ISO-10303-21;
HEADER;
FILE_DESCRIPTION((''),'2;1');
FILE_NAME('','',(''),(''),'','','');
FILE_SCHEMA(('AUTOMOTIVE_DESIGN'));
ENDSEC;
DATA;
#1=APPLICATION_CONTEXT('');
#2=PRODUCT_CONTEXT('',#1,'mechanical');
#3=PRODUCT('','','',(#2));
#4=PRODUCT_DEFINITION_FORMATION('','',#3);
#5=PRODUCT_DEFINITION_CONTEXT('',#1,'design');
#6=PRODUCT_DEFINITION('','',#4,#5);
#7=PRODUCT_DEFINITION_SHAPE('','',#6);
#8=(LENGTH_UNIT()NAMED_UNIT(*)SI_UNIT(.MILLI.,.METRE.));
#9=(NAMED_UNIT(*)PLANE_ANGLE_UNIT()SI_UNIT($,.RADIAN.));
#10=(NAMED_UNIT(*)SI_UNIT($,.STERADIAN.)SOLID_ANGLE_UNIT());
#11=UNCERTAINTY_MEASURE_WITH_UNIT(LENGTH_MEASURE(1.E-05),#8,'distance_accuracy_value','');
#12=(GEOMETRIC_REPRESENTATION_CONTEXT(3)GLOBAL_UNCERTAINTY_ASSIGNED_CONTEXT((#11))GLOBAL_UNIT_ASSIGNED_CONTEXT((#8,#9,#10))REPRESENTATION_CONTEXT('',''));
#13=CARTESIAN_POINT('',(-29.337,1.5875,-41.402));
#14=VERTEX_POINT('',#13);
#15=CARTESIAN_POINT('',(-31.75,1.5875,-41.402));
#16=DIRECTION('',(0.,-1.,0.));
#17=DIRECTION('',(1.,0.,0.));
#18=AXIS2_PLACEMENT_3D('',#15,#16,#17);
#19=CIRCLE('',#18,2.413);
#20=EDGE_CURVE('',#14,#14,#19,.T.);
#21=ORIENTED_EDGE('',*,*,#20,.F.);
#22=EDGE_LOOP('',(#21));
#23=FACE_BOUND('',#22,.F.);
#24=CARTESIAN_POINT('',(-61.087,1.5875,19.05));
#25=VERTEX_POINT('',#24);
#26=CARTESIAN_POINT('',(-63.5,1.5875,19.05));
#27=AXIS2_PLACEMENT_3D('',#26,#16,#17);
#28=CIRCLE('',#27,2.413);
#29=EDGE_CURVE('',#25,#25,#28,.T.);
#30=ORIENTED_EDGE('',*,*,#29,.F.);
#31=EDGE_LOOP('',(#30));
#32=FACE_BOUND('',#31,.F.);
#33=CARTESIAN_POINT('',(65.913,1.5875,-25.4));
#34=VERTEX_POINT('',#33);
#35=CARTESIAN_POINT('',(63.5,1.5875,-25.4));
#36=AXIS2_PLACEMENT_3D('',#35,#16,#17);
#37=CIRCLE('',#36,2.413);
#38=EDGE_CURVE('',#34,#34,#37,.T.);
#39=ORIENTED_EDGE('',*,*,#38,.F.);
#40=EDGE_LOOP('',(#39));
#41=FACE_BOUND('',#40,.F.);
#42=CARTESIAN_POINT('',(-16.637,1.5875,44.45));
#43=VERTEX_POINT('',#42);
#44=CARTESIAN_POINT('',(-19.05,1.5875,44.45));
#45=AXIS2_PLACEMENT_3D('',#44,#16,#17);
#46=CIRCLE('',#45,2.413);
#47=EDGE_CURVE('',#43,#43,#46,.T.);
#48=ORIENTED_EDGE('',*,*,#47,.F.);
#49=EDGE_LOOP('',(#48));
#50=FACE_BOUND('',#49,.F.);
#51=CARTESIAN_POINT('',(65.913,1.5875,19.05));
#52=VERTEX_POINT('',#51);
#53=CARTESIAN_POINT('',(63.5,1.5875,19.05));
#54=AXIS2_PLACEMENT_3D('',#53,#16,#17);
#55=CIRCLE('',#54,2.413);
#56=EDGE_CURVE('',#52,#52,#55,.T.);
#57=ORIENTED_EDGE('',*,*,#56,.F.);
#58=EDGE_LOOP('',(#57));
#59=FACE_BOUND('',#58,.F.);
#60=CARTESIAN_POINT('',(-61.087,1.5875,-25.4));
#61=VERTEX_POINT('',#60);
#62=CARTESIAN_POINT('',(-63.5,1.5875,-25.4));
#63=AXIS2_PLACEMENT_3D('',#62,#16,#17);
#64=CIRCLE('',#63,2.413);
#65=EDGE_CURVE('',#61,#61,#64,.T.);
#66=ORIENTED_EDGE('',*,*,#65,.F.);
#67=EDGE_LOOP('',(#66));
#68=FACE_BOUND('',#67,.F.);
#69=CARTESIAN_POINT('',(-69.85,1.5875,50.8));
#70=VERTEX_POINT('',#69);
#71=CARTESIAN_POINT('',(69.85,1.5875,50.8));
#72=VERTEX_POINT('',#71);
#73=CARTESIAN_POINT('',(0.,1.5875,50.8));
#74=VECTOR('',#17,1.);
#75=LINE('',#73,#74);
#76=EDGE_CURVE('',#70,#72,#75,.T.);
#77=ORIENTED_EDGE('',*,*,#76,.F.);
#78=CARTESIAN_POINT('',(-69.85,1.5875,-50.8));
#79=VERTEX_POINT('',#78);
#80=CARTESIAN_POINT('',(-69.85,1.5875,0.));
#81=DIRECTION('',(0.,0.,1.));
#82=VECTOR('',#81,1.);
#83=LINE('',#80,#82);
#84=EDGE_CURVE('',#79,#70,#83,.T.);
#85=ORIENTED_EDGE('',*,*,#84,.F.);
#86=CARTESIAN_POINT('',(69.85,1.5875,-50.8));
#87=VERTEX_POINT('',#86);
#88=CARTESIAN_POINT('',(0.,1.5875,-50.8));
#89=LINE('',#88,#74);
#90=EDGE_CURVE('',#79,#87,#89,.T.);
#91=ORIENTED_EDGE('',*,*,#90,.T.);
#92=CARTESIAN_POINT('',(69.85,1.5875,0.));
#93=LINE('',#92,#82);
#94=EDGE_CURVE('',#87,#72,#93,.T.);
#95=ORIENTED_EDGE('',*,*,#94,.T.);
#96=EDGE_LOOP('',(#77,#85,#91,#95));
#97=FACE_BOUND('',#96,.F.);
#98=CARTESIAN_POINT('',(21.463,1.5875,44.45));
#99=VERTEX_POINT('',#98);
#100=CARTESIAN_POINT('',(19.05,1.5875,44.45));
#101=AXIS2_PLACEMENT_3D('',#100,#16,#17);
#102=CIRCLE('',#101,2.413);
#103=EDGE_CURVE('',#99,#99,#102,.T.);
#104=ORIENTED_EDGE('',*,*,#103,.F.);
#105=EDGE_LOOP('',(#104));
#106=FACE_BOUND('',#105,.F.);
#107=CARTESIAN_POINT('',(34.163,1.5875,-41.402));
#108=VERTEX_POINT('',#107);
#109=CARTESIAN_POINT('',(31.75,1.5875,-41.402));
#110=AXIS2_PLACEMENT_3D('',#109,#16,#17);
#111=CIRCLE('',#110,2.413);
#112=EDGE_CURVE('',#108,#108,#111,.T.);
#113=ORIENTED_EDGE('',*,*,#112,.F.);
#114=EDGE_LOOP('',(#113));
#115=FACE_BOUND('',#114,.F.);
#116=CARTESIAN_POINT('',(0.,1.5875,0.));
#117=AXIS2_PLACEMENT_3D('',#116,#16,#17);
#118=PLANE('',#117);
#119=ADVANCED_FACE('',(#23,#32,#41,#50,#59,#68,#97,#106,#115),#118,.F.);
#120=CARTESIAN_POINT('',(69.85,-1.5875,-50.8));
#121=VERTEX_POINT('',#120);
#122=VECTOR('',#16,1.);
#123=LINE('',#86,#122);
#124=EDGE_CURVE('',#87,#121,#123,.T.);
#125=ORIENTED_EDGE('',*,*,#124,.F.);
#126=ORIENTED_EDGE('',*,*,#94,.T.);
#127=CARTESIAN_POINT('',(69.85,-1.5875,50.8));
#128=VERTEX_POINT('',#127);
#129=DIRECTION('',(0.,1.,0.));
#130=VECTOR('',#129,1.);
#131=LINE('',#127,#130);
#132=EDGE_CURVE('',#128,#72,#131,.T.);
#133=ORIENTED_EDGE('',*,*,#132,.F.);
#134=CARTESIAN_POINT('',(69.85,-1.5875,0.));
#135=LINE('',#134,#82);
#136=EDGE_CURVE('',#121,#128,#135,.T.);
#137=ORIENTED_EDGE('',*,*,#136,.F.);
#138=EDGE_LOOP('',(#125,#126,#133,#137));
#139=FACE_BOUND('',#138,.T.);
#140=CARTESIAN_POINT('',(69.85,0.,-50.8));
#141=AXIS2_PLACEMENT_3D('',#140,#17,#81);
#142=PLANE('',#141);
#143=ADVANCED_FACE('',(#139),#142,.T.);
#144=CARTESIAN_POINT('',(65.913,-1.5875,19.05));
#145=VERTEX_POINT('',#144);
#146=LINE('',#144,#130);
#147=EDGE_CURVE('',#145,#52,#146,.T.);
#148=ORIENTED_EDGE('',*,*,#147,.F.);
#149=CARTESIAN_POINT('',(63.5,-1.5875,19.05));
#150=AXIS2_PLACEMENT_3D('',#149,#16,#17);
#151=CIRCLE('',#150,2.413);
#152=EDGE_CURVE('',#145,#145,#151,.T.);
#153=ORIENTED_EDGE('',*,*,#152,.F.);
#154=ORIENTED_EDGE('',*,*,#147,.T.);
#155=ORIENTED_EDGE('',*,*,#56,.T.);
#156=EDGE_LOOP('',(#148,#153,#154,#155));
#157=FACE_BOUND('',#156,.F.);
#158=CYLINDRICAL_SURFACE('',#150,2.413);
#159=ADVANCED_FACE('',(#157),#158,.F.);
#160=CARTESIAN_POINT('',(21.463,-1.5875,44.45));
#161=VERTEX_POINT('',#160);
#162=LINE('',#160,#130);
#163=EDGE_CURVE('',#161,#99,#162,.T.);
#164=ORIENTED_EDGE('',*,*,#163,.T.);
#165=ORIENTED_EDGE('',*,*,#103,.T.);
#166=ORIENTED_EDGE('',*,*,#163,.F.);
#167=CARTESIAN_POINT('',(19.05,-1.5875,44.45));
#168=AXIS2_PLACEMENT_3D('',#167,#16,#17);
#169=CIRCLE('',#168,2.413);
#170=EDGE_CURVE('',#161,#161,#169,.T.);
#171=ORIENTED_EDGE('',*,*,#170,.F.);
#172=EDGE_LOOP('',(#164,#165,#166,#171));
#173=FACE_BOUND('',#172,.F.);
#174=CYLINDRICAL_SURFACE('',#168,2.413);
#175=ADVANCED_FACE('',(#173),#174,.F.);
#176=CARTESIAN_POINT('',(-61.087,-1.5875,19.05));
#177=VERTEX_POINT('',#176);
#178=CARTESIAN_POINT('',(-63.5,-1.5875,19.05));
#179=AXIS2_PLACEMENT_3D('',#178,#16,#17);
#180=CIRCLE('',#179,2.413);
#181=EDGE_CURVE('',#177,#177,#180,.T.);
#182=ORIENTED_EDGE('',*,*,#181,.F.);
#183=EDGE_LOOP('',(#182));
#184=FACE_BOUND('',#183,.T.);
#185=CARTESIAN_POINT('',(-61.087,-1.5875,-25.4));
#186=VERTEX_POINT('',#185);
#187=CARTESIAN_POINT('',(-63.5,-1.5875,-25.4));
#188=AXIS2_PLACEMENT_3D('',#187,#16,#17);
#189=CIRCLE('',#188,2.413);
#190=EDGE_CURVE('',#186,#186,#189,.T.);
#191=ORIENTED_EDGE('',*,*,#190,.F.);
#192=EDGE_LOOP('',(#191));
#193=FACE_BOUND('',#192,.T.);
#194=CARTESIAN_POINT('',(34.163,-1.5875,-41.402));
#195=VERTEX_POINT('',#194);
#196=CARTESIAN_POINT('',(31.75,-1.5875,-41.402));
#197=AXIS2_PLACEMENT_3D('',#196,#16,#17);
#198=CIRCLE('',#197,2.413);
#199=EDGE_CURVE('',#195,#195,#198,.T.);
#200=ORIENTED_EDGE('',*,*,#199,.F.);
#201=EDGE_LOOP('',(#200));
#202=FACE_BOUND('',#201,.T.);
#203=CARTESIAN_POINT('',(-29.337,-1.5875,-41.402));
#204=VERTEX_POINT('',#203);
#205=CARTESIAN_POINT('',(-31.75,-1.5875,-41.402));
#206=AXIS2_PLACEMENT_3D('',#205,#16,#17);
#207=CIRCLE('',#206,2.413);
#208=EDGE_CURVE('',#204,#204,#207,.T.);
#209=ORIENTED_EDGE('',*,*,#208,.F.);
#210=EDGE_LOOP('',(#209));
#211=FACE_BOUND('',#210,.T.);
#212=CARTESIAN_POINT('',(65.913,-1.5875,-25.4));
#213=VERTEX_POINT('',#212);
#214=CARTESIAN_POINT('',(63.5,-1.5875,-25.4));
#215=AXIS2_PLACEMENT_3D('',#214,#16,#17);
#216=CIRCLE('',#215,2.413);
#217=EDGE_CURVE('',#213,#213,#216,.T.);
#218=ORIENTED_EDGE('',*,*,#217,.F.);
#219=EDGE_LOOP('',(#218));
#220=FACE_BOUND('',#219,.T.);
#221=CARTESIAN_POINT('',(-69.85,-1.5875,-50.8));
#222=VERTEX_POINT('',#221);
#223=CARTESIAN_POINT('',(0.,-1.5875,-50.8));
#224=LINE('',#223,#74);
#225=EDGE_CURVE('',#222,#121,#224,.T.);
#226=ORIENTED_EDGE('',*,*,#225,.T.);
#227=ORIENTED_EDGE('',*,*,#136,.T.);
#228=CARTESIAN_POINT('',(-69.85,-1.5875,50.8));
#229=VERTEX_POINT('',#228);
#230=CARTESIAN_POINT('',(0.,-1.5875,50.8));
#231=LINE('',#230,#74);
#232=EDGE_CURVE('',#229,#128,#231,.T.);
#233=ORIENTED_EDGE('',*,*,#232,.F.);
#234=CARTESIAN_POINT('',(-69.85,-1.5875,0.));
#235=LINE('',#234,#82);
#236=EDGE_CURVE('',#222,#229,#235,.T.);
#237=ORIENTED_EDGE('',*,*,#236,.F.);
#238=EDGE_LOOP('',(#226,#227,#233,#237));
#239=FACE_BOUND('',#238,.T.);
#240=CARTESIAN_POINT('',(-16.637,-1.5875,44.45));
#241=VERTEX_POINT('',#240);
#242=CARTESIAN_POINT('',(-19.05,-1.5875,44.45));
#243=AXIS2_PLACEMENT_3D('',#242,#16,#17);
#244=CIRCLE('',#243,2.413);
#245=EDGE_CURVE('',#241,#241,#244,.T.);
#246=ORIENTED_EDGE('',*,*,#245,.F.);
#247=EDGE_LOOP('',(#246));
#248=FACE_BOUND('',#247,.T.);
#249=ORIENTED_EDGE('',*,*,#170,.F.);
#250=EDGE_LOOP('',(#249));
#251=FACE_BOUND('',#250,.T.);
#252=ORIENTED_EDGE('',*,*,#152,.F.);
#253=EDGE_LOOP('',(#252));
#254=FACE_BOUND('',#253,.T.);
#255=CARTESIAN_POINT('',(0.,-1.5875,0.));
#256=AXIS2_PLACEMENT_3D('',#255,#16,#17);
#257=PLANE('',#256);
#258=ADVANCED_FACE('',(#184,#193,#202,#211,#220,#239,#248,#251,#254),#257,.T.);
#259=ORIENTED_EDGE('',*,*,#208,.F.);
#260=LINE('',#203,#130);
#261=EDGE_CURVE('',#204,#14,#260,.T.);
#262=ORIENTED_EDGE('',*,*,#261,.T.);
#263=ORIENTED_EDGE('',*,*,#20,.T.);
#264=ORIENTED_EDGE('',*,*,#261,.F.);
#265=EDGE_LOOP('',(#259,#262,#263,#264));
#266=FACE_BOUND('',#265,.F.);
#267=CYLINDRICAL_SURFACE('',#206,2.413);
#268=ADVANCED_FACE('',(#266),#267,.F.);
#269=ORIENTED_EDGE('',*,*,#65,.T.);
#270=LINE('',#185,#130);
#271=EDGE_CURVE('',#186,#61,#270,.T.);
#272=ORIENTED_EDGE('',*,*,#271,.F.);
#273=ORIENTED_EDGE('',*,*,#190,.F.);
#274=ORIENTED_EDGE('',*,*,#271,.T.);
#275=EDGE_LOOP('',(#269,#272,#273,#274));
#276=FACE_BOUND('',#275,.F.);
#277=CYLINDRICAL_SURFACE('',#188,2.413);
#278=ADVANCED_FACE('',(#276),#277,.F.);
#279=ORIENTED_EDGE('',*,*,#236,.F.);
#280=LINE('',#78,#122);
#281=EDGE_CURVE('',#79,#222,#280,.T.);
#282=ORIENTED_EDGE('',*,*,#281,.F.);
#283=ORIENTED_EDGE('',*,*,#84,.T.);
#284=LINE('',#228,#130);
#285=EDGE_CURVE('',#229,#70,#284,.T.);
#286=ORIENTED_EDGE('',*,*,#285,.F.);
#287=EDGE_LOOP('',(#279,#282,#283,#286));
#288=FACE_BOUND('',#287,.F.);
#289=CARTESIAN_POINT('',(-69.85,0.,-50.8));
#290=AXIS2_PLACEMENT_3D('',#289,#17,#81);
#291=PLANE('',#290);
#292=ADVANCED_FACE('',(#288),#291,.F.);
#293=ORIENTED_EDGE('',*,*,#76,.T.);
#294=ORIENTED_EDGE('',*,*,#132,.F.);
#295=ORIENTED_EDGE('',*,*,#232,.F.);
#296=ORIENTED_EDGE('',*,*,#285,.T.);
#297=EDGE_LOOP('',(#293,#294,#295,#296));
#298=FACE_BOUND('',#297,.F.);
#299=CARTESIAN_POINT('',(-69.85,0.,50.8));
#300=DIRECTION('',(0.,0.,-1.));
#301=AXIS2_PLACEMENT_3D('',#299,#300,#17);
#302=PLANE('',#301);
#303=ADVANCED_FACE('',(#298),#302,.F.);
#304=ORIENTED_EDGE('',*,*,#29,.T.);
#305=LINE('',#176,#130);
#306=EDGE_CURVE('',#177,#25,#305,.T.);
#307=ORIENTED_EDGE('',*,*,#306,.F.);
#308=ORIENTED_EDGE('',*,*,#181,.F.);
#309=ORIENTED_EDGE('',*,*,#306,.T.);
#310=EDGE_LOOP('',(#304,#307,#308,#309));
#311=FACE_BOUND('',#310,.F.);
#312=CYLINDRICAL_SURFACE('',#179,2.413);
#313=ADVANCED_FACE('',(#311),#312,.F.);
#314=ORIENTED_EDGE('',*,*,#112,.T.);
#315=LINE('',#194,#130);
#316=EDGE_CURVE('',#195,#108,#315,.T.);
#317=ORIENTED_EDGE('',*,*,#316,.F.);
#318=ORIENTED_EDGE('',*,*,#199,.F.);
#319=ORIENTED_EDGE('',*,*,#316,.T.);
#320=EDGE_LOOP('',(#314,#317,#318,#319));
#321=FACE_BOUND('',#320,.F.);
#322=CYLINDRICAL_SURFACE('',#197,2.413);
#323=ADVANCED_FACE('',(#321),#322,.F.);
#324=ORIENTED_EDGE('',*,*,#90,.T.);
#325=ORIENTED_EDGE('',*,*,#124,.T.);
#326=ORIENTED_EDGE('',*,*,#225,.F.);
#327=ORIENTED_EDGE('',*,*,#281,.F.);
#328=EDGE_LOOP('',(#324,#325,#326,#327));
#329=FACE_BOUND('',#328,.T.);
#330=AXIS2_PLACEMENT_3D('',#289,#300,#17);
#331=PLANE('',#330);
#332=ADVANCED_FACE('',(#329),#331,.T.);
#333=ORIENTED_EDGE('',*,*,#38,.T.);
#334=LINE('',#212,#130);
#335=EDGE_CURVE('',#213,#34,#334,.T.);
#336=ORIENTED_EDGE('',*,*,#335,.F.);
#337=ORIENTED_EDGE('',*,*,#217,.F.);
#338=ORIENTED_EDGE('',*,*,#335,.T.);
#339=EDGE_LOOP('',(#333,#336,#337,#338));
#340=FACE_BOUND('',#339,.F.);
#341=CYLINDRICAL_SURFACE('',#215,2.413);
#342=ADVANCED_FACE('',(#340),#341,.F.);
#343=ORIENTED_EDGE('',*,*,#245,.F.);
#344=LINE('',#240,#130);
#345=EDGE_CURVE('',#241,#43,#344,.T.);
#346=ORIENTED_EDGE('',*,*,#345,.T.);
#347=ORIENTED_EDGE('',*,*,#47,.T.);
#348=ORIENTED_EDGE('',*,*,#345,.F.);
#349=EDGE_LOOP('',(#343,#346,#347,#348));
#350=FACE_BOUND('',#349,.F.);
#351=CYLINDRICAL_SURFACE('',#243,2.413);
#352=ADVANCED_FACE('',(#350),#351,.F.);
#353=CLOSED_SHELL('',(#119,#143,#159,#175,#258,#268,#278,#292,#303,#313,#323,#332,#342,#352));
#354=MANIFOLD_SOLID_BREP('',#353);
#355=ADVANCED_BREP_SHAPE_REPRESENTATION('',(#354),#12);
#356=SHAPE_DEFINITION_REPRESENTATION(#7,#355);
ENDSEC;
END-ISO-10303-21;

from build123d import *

# Parameters (mm, degrees)
F0_W     = 139.7
F0_H     = 101.6
F1_DEPTH = 1.5875
F2_R     = 2.413
F3_DEPTH = 3.175
F4_R     = 2.413
F5_DEPTH = 3.175
F6_R     = 2.413
F7_DEPTH = 3.175


with BuildPart() as f1:
    # F0 (on Front) → F1 (new body, symmetric)
    with BuildSketch(Plane.XZ):
        Rectangle(F0_W, F0_H)
    extrude(amount=F1_DEPTH, both=True)

    # F2 (on face) → F3 (cut, through all)
    with BuildSketch(Plane.XZ.offset(1.5875)):
        with Locations((-19.05, 44.45)):
            Circle(F2_R)
        with Locations((19.05, 44.45)):
            Circle(F2_R)
    extrude(amount=-F3_DEPTH, mode=Mode.SUBTRACT)

    # F4 (on face) → F5 (cut, through all)
    with BuildSketch(Plane.XZ.offset(1.5875)):
        with Locations((-31.75, -41.402)):
            Circle(F4_R)
        with Locations((31.75, -41.402)):
            Circle(F4_R)
    extrude(amount=-F5_DEPTH, mode=Mode.SUBTRACT)

    # F6 (on face) → F7 (cut, through all)
    with BuildSketch(Plane.XZ.offset(1.5875)):
        with Locations((-63.5, -25.4)):
            Circle(F6_R)
        with Locations((-63.5, 19.05)):
            Circle(F6_R)
        with Locations((63.5, 19.05)):
            Circle(F6_R)
        with Locations((63.5, -25.4)):
            Circle(F6_R)
    extrude(amount=-F7_DEPTH, mode=Mode.SUBTRACT)


solid = f1.part
